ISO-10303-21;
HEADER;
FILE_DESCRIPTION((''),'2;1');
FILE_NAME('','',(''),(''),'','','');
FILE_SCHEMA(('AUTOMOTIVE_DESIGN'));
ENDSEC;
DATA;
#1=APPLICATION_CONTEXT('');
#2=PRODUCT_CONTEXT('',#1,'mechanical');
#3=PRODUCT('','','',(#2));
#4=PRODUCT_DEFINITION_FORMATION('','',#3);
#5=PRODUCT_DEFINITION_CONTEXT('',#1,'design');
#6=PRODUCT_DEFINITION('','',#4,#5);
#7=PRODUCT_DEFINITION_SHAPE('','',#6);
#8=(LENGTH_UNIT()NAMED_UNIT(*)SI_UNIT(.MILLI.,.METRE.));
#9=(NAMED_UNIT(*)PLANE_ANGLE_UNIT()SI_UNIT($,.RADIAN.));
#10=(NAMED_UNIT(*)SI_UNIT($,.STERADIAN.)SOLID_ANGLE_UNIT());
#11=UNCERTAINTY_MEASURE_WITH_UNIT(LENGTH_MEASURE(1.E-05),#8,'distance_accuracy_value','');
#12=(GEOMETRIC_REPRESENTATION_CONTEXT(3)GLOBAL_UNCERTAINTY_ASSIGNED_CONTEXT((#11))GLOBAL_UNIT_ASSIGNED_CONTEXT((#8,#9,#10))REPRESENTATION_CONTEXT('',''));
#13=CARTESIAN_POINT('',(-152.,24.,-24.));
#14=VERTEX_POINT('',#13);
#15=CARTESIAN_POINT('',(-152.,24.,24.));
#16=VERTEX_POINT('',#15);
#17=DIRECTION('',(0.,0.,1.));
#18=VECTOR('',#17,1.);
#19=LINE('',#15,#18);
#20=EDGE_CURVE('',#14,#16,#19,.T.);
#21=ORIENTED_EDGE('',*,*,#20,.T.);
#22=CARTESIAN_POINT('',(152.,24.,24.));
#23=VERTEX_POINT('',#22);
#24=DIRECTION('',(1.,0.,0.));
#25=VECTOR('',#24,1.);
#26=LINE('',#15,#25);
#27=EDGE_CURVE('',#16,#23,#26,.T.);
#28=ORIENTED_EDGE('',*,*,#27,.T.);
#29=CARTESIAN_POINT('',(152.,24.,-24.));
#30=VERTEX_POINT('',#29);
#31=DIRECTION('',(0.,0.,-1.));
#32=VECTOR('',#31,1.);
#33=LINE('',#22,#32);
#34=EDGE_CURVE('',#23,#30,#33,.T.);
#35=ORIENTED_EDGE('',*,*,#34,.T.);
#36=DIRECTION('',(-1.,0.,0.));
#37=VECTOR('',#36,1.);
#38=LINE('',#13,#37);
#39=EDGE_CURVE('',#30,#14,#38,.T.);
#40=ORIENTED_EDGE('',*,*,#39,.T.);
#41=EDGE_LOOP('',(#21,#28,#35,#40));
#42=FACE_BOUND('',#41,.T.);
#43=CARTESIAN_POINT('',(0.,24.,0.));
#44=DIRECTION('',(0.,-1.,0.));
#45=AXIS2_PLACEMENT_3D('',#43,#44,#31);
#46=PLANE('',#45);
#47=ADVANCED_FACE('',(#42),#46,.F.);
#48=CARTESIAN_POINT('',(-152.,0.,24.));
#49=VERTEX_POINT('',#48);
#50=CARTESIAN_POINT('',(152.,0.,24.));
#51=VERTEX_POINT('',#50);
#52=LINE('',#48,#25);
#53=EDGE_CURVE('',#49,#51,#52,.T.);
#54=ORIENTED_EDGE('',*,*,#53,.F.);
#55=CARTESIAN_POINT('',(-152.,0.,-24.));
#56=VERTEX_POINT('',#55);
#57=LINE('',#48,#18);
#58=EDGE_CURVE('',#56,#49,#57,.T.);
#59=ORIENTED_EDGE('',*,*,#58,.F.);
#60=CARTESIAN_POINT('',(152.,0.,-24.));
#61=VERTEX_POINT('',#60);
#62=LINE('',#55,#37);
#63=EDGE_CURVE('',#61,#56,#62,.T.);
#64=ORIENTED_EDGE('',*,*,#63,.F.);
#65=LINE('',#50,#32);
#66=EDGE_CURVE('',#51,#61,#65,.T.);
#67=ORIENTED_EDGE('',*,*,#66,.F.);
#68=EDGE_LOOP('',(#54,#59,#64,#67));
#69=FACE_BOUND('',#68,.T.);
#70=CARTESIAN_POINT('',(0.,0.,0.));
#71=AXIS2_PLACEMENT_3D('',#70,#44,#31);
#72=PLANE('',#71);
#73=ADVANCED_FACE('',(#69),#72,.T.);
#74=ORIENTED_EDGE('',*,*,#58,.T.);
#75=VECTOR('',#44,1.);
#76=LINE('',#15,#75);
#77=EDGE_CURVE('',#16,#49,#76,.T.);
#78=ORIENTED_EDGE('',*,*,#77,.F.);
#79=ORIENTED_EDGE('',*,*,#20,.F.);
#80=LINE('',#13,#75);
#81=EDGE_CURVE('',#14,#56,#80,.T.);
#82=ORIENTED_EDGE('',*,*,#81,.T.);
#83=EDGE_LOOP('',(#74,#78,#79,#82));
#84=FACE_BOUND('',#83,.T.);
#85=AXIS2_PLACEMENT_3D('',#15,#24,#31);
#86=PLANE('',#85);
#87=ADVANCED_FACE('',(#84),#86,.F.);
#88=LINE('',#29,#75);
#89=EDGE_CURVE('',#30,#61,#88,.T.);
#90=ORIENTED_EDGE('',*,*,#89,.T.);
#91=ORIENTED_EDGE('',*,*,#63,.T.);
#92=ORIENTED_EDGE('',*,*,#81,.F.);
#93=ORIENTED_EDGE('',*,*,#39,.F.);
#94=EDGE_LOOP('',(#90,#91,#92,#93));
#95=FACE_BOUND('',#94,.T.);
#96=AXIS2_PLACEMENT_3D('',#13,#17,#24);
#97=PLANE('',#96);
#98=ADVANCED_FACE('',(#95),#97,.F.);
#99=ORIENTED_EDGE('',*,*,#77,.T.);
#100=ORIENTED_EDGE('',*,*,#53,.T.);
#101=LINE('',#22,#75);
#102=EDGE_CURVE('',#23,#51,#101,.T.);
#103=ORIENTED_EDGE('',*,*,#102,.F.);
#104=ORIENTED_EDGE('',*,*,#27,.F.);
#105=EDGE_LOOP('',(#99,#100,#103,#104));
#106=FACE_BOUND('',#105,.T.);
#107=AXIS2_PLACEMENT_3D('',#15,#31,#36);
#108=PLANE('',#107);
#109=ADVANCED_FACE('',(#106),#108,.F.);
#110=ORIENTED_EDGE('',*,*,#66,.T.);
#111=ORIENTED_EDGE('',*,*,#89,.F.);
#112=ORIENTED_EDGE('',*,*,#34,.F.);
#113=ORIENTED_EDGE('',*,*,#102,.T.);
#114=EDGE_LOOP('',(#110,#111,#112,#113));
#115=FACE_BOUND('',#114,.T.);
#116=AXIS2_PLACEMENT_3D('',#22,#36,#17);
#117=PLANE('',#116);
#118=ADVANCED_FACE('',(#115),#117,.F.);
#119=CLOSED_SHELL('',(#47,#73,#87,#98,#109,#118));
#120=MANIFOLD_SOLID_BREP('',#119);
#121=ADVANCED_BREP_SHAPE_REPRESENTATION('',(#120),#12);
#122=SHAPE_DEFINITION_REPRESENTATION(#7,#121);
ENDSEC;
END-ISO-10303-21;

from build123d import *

# Parameters (mm, degrees)
ESQUISSE1_W        = 304
ESQUISSE1_H        = 48
BOSS_EXTRU_1_DEPTH = 24


with BuildPart() as part:
    # Esquisse1 → Boss.-Extru.1 (new body)
    with BuildSketch(Plane(origin=(0, 0, 0), x_dir=(1, 0, 0), z_dir=(0, 1, 0))):
        Rectangle(ESQUISSE1_W, ESQUISSE1_H)
    extrude(amount=BOSS_EXTRU_1_DEPTH)


solid = part.part
